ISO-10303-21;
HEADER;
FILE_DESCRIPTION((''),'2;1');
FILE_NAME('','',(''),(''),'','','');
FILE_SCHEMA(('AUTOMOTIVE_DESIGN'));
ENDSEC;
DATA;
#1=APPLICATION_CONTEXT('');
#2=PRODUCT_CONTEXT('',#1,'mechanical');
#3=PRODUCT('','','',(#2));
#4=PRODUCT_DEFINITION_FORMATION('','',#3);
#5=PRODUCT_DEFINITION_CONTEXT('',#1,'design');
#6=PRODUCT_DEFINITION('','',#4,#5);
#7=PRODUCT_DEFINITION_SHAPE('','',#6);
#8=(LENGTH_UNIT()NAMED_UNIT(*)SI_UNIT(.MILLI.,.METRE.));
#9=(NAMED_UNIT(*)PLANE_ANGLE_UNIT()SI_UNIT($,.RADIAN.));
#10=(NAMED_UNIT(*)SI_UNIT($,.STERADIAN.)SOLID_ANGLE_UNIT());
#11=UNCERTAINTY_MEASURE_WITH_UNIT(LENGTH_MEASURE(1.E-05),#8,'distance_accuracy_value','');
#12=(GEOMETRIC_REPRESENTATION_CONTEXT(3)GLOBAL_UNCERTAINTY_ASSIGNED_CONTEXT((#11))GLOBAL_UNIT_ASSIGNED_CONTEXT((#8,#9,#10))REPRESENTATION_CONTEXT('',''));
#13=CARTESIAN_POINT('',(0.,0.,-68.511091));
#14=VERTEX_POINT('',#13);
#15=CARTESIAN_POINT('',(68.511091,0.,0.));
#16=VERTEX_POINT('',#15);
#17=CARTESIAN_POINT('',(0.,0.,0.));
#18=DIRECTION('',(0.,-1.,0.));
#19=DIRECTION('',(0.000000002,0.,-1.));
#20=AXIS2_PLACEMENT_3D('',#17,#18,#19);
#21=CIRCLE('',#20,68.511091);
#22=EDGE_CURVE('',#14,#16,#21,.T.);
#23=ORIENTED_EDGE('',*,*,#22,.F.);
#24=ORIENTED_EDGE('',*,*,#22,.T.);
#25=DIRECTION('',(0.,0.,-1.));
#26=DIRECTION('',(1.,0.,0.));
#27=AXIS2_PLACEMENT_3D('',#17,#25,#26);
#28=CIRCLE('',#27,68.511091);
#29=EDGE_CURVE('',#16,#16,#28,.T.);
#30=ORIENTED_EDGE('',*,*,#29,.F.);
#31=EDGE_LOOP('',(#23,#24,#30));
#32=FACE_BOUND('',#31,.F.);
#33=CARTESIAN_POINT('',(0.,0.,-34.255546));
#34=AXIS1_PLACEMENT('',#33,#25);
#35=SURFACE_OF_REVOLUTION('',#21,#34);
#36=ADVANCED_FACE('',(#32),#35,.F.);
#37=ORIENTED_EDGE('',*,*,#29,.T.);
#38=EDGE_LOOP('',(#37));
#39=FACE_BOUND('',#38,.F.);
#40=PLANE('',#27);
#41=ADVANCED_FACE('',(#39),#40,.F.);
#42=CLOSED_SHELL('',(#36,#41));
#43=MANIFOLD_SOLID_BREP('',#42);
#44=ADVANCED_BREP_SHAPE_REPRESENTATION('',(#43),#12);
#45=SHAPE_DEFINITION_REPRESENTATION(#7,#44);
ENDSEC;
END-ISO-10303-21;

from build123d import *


with BuildPart() as f1:
    # F0 (on Front) → F1 (revolve)
    with BuildSketch(Plane.XZ):
        with BuildLine():
            ThreePointArc((0, -68.511091), (48.444657, -48.444657), (68.511091, 0))
            Line((68.511091, 0), (0, 0))
            Line((0, 0), (0, -68.511091))
        make_face()
    revolve(axis=Axis((0, 0, -34.255546), (0, 0, -1)))


solid = f1.part
